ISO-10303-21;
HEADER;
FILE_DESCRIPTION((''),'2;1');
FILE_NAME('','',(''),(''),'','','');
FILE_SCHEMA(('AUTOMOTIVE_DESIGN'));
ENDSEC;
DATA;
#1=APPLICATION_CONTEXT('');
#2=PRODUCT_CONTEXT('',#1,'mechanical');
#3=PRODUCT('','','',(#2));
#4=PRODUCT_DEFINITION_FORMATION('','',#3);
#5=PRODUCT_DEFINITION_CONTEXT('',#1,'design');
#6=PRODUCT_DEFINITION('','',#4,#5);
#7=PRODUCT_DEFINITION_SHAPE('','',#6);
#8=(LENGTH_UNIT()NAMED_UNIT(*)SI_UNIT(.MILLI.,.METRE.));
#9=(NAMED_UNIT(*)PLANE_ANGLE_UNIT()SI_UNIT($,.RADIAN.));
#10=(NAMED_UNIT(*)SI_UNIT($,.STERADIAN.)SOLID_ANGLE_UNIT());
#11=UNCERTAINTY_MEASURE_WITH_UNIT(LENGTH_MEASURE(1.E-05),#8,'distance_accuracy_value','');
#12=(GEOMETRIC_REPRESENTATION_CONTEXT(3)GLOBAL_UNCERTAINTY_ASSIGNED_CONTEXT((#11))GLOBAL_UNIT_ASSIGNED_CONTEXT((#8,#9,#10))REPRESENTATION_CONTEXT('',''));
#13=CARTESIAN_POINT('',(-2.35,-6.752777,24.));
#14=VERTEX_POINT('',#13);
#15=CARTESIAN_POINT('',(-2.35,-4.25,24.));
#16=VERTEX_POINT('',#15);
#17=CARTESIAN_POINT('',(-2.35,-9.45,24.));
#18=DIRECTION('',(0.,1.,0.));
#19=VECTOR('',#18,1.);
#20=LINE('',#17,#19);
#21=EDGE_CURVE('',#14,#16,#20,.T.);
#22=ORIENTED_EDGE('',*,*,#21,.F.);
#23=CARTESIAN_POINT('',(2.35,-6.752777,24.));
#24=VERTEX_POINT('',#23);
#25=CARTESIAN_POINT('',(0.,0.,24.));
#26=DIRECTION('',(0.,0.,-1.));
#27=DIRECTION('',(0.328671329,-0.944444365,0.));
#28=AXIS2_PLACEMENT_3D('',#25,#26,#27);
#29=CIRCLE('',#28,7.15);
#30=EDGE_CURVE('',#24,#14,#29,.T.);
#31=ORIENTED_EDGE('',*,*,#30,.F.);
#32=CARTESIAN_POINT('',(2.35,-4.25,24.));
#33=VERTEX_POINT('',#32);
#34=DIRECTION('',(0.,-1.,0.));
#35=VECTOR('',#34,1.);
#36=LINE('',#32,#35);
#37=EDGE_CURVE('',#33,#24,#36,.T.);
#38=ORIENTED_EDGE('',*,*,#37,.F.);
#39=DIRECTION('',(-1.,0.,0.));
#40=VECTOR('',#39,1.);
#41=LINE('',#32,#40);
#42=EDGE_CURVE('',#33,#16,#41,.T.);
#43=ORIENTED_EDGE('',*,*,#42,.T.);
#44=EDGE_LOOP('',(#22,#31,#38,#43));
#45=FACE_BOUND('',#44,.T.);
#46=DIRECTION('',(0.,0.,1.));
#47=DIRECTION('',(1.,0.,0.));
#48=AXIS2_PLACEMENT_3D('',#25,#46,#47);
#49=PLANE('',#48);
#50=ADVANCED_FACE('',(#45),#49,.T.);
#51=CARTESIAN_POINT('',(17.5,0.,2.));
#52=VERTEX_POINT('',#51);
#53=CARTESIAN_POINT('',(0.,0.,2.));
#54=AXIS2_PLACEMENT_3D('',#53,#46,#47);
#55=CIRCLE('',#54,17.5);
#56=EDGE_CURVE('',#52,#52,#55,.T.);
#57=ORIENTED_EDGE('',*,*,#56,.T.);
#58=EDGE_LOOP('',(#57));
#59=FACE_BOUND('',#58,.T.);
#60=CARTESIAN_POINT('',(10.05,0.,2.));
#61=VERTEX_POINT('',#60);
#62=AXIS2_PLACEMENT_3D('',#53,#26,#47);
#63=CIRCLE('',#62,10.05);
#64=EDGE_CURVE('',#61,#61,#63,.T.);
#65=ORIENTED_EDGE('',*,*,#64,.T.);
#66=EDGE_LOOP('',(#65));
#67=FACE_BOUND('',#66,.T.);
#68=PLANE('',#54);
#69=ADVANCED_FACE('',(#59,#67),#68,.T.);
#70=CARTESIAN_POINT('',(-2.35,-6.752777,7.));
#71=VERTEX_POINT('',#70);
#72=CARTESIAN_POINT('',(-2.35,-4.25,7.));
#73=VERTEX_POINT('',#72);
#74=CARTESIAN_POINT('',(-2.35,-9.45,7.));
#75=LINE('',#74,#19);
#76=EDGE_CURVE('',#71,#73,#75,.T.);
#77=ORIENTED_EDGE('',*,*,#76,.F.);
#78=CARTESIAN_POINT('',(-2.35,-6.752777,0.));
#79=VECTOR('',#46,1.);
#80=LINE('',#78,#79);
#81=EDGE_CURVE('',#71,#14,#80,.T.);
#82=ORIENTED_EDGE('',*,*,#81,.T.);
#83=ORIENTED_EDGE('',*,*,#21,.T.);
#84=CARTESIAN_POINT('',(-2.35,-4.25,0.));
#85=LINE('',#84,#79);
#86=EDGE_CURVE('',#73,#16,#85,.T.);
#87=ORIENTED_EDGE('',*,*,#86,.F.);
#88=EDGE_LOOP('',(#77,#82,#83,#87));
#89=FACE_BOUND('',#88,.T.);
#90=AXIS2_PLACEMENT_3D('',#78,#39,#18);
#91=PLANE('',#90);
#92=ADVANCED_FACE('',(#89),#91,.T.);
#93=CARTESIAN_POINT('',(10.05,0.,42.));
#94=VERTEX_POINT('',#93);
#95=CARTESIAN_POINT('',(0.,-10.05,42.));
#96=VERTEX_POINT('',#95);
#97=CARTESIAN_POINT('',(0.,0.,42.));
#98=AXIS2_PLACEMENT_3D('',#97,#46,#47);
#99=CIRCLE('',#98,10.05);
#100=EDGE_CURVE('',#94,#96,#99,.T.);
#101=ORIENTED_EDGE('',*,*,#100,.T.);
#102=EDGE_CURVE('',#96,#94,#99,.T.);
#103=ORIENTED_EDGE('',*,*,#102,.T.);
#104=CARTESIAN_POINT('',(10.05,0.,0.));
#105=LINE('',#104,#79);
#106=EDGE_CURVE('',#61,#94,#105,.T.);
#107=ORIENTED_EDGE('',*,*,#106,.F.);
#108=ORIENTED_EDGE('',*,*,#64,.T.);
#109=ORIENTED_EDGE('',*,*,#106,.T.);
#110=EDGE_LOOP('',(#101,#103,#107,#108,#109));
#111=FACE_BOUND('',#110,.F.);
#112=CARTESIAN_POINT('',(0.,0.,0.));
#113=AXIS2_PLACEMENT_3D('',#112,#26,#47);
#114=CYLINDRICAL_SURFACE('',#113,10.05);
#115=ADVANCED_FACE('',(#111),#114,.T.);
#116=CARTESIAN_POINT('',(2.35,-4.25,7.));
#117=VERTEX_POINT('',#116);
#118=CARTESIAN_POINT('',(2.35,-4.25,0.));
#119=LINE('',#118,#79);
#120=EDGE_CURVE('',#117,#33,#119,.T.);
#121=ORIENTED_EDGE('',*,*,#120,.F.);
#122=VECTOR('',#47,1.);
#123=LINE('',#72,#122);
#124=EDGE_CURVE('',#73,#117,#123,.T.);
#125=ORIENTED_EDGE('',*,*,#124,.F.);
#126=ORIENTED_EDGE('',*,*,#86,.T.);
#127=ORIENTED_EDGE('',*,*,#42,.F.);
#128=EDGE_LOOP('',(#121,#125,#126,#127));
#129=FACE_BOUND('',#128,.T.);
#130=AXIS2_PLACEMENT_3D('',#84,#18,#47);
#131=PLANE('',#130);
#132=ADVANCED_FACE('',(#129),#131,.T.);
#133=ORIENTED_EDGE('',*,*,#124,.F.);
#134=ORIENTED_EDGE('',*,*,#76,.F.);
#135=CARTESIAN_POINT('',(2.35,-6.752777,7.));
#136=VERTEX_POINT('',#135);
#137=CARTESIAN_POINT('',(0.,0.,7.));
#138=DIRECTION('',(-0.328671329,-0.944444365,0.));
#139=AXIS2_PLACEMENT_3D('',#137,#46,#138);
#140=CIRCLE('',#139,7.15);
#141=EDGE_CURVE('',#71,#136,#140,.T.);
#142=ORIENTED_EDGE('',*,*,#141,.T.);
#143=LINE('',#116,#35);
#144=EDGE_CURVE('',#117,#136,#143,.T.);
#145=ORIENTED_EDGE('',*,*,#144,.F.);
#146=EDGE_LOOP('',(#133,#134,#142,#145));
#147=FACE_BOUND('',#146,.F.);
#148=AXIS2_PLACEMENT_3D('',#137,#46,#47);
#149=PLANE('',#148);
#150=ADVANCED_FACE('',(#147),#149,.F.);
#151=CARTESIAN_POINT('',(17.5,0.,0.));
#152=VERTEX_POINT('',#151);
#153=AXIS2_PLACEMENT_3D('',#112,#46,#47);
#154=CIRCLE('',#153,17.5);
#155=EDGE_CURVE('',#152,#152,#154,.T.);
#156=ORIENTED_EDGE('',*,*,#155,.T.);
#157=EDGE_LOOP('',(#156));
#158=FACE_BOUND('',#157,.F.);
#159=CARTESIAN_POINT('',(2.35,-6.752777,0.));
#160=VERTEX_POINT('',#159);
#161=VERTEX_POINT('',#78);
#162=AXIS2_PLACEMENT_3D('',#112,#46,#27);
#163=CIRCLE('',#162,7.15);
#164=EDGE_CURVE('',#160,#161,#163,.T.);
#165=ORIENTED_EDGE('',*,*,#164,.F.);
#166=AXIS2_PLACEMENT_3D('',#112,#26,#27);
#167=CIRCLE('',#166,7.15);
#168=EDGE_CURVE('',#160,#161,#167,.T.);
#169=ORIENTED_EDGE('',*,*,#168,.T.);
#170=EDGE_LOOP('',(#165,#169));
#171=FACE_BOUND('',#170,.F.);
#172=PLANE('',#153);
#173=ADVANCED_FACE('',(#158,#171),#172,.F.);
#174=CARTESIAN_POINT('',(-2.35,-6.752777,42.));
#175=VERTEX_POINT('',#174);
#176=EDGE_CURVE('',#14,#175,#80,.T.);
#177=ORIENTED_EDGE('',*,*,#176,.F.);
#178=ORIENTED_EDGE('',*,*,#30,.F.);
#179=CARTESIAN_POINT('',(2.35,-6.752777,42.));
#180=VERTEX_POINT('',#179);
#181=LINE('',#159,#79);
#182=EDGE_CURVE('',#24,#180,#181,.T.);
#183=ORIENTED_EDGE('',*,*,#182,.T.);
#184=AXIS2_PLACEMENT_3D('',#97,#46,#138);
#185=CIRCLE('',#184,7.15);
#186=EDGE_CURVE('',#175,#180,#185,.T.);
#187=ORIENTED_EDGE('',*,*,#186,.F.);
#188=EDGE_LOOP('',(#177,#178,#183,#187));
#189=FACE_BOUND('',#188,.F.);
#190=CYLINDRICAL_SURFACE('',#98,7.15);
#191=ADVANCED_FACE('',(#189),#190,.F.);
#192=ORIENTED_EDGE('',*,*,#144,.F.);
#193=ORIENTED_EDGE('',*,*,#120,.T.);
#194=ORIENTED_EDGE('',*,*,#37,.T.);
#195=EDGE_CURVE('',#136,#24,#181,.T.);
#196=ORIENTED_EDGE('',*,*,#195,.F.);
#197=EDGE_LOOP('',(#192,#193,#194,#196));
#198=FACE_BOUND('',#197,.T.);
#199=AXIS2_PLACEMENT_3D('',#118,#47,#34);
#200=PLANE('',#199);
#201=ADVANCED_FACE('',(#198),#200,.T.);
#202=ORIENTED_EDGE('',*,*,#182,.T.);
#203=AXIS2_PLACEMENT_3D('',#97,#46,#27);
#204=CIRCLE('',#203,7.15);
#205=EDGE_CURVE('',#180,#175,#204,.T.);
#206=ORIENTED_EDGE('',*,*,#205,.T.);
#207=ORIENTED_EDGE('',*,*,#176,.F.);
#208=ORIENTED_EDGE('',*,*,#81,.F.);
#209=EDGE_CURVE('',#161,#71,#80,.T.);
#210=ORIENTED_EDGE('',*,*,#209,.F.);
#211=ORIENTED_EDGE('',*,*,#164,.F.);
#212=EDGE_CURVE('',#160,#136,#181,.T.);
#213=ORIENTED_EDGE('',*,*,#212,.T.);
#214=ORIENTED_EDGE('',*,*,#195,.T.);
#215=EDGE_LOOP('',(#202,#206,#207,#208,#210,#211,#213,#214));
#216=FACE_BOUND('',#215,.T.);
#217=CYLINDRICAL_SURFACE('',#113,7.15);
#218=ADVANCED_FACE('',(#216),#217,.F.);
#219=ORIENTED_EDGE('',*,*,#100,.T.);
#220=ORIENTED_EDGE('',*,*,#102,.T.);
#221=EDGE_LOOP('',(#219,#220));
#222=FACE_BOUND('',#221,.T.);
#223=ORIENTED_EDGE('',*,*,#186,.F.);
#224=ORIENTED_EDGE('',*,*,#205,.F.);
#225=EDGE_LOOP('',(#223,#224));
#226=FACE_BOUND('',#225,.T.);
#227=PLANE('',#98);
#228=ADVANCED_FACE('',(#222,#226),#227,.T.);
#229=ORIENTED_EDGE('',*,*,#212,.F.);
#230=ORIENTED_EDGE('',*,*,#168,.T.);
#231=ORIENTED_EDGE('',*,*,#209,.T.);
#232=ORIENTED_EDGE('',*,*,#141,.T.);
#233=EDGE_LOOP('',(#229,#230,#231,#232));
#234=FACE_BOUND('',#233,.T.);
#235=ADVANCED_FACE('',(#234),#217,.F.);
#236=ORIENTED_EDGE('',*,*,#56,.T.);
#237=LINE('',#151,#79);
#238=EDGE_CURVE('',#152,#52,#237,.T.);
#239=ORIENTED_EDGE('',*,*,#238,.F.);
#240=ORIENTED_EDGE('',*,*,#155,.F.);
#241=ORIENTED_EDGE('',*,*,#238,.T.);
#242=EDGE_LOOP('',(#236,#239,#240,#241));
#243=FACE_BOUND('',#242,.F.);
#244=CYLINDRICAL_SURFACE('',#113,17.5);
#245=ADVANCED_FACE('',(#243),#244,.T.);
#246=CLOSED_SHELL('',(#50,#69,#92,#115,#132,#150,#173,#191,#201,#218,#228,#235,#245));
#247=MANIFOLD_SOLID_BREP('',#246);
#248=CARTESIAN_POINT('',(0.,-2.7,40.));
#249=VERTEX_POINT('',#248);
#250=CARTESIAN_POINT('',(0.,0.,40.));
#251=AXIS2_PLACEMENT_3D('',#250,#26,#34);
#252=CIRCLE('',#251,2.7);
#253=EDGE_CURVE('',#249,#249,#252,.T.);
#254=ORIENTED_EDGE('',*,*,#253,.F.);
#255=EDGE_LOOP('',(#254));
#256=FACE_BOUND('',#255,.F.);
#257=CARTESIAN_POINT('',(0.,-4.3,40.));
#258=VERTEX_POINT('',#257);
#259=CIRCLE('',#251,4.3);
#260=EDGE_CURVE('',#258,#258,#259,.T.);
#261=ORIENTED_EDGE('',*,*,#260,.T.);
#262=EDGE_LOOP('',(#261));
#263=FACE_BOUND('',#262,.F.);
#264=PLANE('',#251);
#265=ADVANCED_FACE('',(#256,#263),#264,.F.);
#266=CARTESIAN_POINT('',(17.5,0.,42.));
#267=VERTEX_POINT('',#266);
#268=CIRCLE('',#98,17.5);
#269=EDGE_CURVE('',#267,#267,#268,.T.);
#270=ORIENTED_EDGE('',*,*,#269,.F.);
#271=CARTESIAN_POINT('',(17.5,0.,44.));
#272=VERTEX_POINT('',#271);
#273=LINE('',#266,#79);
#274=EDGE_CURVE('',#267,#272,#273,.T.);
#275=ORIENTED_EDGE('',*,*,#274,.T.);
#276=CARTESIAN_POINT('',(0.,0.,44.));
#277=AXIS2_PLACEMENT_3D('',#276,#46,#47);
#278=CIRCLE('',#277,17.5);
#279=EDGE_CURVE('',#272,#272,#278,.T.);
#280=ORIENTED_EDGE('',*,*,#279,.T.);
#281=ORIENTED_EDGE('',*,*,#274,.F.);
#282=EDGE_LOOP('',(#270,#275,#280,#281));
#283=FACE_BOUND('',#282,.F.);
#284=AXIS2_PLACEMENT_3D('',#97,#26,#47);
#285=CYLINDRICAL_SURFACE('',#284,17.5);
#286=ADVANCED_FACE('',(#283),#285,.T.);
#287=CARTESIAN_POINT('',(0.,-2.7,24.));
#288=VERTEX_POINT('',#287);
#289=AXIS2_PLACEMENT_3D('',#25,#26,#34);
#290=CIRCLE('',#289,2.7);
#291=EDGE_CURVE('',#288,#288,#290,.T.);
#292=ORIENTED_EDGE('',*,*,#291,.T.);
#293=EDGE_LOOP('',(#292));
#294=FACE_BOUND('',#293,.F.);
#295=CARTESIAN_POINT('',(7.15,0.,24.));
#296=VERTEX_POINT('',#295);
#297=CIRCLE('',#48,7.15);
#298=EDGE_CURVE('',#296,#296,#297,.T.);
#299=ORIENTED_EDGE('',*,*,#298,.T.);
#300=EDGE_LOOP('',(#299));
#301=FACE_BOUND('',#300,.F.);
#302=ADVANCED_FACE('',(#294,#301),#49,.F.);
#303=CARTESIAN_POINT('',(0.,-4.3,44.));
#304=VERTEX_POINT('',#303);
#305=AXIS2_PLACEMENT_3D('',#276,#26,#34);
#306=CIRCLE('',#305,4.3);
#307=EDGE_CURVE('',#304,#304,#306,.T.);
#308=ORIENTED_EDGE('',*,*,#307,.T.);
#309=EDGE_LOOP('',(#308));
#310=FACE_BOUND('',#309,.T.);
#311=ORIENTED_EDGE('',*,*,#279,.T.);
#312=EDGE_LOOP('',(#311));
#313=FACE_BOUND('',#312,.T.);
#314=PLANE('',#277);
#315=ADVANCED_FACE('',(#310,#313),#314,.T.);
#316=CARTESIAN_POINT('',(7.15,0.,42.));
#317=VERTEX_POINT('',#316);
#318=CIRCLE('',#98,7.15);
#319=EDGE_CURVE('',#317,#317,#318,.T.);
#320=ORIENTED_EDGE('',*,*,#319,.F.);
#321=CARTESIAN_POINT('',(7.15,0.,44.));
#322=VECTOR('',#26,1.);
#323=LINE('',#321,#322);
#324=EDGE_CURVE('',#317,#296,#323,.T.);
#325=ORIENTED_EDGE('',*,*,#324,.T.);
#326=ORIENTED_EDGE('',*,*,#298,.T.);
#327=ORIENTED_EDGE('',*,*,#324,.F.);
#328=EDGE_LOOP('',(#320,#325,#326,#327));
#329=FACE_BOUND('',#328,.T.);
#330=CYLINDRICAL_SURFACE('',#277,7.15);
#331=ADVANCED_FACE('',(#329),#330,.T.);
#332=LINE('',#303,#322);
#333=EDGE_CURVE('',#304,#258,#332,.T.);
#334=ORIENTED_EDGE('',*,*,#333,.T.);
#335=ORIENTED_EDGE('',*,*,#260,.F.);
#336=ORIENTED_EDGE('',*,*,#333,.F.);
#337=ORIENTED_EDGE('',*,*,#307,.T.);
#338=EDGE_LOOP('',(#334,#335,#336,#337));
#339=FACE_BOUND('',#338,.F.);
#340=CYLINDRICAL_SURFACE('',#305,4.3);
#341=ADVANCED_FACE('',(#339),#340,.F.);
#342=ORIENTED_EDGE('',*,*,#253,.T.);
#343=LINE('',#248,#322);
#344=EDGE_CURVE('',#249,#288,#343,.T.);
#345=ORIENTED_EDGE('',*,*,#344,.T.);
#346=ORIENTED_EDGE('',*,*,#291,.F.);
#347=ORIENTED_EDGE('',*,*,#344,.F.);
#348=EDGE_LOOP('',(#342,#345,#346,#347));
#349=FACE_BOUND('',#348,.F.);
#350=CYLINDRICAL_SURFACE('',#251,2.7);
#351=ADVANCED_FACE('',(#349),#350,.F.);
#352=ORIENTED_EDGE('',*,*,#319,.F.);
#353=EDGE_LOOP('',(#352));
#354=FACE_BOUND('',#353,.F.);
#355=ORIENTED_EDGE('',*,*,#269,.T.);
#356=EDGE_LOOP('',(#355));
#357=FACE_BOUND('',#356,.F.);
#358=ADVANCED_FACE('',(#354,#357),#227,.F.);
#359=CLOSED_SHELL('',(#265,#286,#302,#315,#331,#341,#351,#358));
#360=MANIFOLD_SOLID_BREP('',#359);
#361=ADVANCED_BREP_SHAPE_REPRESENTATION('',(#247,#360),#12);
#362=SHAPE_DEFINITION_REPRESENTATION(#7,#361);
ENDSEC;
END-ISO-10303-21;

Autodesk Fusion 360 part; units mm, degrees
sketch "Sketch1" plane through (0, 0, 0) normal (0, 0, 1) x (1, 0, 0)
  circle A0 centre (0, 0) radius 10.05
  line L0 (2.35, -4.25) -> (2.35, -9.45)
  line L1 (-2.35, -4.25) -> (2.35, -4.25)
  line L2 (-2.35, -4.25) -> (2.35, -9.45) construction
  line L3 (2.35, -9.45) -> (-2.35, -9.45)
  line L4 (2.35, -4.25) -> (-2.35, -9.45) construction
  line L5 (-2.35, -9.45) -> (-2.35, -4.25)
  circle A1 centre (0, 0) radius 7.15
  circle A2 centre (0, 0) radius 17.5
  line L6 (0, 0) -> (0, -12)
  point P0 (0, -6.85)
  dimension "d1" = 20.1
  dimension "d2" = 4.7
  dimension "d3" = 5.2
  dimension "d4" = 14.3
  dimension "d5" = 2.9
  dimension "d10" = 35
extrude "Extrude1" add sketch "Sketch1" along normal blind 42 contours L3 L5 A1 L6 | L0 L3 A1 L6 | A0 | L0 L1 A1 L6 | L1 L5 A1 L6 makes body 1
extrude "Extrude2" add sketch "Sketch1" along normal blind 2 contours A2 bodies 1
extrude "Extrude3" add sketch "Sketch1" along normal blind 2 from surface at 42 separate body contours L3 L5 A1 L6 | L0 L3 A1 L6 | A0 | L0 L1 A1 L6 | L1 L5 A1 L6 | A2 makes body 2
extrude "Extrude4" add sketch "Sketch1" against normal blind 20 from surface at 44 separate body contours L0 L1 A1 L6 | L1 L5 A1 L6 | L0 L1 L5 A1 makes body 3
combine "Combine1" operation add target body 2 tool bodies 3
move_face "OffsetFaces1" [suppressed]
sketch "Sketch2" plane through (0, 0, 44) normal (0, 0, 1) x (-1, 0, 0)
  circle A0 centre (0, 0) radius 17.5
  circle A1 centre (0, 0) radius 3
extrude "Extrude5" cut sketch "Sketch1" against normal blind 18 from surface at 42 contours L0 L1 A1 L6 | L1 L5 A1 L6 bodies 1
hole "Hole1" at (0, 0, 44) direction (0, 0, -1) diameter 5.4 depth 65 tip angle 118 counterbore diameter 8.6 counterbore depth 4 bodies 2
extrude "Extrude6" cut sketch "Sketch1" along normal blind 7 contours L0 L1 A1 L6 | L1 L5 A1 L6 bodies 1
